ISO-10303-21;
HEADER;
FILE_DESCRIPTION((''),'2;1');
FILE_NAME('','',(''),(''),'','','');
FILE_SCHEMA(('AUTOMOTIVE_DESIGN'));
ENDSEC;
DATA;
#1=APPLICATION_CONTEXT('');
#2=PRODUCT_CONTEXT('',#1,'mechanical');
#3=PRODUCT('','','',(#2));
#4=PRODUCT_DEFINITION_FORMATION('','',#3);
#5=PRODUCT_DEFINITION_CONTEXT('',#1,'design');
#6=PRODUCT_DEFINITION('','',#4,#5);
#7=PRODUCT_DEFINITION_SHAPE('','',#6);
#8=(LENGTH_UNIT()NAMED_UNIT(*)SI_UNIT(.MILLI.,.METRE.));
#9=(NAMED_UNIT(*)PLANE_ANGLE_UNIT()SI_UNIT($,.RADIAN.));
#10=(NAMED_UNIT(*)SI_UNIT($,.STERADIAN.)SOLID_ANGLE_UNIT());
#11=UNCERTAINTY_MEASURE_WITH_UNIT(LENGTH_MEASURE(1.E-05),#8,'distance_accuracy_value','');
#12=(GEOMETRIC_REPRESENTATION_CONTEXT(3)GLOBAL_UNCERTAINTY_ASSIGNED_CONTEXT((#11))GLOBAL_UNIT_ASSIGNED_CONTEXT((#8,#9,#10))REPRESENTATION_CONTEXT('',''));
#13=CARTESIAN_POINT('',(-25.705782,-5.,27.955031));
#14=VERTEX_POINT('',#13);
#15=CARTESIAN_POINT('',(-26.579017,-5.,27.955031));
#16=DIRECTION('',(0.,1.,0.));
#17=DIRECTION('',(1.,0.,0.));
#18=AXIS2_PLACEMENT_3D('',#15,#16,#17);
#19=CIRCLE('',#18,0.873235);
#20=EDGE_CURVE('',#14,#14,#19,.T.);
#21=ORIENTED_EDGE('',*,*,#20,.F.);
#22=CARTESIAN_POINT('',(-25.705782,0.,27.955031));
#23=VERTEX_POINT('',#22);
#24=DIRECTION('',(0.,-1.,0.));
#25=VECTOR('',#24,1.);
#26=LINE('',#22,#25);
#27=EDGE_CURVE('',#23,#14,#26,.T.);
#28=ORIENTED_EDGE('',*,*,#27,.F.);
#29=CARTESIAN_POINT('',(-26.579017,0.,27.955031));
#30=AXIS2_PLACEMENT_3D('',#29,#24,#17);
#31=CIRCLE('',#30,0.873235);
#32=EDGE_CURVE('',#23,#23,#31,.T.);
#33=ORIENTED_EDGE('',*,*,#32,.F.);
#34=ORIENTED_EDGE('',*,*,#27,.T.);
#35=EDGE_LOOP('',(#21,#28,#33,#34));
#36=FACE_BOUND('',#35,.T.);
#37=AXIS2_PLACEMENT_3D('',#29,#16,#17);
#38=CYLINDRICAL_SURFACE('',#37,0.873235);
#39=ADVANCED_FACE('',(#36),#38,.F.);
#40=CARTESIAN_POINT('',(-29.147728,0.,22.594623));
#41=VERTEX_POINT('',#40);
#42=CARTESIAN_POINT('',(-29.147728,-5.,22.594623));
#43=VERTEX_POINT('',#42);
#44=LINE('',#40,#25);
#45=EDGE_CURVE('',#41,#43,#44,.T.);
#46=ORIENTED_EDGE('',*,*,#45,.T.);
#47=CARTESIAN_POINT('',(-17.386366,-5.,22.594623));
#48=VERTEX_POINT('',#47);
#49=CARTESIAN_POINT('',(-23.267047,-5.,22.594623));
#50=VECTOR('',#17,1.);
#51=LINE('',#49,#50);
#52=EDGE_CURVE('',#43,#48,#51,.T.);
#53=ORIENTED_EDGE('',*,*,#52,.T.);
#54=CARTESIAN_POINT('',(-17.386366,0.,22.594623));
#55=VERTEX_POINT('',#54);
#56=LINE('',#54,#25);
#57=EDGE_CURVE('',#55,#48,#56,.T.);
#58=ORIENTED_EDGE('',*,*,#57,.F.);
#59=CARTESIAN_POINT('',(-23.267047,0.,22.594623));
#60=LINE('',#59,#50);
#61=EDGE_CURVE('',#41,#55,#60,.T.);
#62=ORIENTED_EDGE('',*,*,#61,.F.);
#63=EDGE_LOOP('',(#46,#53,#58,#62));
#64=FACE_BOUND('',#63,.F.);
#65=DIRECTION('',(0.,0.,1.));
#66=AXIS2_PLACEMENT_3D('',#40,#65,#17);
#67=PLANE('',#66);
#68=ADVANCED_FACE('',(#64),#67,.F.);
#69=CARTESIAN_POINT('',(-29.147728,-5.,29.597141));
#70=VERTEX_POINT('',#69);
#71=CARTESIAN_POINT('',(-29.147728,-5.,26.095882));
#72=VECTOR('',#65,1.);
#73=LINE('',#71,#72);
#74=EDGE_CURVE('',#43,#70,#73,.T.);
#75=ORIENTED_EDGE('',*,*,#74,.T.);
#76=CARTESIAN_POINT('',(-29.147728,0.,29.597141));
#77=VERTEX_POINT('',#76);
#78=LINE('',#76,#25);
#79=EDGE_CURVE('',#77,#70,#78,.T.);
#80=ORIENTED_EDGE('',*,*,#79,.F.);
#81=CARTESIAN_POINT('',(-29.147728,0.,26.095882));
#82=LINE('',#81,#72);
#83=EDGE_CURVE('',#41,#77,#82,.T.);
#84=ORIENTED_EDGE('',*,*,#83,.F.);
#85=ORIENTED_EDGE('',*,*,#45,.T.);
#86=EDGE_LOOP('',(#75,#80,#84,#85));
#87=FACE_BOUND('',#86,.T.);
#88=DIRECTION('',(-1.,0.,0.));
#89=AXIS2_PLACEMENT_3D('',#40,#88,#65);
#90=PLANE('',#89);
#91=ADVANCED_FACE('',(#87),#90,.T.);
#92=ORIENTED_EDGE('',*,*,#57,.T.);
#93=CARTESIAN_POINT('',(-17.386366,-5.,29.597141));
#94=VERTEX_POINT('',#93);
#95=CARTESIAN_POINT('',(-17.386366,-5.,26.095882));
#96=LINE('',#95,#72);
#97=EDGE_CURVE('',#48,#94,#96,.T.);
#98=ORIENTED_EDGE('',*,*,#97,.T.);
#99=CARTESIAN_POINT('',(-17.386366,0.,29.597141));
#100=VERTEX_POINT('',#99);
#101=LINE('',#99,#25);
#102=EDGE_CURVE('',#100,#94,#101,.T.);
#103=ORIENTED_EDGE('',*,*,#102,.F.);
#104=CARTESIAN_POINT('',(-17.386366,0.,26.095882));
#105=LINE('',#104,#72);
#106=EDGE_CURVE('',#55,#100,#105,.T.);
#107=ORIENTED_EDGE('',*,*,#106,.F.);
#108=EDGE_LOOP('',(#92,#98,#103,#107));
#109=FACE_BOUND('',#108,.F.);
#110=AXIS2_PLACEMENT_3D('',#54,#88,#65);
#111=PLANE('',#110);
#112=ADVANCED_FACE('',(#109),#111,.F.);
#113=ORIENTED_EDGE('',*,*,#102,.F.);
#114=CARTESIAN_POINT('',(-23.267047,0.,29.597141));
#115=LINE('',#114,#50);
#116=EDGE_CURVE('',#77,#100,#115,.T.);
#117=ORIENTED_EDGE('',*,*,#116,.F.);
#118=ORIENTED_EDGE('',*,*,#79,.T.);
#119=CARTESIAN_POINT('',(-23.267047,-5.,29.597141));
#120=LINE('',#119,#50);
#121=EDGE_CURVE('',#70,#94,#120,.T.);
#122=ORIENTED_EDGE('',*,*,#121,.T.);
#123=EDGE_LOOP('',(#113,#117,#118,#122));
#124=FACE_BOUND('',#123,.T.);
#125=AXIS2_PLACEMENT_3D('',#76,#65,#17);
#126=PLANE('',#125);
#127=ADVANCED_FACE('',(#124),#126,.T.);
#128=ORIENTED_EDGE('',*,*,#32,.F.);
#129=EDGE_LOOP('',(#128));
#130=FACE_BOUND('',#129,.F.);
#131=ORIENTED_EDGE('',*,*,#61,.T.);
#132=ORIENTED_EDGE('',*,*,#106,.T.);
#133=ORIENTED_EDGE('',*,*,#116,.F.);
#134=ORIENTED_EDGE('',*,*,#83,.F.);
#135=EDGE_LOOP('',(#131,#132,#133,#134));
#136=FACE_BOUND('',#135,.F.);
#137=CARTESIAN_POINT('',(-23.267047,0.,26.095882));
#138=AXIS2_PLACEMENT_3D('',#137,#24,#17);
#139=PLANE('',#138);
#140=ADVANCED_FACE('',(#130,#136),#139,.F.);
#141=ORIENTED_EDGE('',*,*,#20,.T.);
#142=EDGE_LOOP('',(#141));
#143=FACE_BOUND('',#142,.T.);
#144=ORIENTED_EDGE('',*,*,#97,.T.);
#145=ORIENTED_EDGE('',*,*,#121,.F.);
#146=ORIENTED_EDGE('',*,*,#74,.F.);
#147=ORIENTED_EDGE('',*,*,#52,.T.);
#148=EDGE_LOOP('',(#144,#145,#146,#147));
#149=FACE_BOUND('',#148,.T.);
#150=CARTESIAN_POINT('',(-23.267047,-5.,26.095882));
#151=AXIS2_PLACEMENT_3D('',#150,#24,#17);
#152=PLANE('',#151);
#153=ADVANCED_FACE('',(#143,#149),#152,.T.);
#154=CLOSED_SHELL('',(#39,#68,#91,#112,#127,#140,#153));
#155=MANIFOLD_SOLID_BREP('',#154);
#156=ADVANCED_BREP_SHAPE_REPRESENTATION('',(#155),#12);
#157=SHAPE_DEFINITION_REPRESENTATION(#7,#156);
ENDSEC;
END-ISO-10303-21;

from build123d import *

# Parameters (mm, degrees)
F0_W     = 11.761363
F0_H     = 7.002518
F3_DEPTH = 5
F2_R     = 0.873235
F4_DEPTH = 25


with BuildPart() as f3:
    # F0 (on Front) → F3 (new body)
    with BuildSketch(Plane.XZ):
        with Locations((-23.267047, 26.095882)):
            Rectangle(F0_W, F0_H)
    extrude(amount=F3_DEPTH)

    # F2 (on face) → F4 (cut)
    with BuildSketch(Plane.XZ):
        with Locations((-26.579017, 27.955031)):
            Circle(F2_R)
    extrude(amount=F4_DEPTH, mode=Mode.SUBTRACT)


solid = f3.part
